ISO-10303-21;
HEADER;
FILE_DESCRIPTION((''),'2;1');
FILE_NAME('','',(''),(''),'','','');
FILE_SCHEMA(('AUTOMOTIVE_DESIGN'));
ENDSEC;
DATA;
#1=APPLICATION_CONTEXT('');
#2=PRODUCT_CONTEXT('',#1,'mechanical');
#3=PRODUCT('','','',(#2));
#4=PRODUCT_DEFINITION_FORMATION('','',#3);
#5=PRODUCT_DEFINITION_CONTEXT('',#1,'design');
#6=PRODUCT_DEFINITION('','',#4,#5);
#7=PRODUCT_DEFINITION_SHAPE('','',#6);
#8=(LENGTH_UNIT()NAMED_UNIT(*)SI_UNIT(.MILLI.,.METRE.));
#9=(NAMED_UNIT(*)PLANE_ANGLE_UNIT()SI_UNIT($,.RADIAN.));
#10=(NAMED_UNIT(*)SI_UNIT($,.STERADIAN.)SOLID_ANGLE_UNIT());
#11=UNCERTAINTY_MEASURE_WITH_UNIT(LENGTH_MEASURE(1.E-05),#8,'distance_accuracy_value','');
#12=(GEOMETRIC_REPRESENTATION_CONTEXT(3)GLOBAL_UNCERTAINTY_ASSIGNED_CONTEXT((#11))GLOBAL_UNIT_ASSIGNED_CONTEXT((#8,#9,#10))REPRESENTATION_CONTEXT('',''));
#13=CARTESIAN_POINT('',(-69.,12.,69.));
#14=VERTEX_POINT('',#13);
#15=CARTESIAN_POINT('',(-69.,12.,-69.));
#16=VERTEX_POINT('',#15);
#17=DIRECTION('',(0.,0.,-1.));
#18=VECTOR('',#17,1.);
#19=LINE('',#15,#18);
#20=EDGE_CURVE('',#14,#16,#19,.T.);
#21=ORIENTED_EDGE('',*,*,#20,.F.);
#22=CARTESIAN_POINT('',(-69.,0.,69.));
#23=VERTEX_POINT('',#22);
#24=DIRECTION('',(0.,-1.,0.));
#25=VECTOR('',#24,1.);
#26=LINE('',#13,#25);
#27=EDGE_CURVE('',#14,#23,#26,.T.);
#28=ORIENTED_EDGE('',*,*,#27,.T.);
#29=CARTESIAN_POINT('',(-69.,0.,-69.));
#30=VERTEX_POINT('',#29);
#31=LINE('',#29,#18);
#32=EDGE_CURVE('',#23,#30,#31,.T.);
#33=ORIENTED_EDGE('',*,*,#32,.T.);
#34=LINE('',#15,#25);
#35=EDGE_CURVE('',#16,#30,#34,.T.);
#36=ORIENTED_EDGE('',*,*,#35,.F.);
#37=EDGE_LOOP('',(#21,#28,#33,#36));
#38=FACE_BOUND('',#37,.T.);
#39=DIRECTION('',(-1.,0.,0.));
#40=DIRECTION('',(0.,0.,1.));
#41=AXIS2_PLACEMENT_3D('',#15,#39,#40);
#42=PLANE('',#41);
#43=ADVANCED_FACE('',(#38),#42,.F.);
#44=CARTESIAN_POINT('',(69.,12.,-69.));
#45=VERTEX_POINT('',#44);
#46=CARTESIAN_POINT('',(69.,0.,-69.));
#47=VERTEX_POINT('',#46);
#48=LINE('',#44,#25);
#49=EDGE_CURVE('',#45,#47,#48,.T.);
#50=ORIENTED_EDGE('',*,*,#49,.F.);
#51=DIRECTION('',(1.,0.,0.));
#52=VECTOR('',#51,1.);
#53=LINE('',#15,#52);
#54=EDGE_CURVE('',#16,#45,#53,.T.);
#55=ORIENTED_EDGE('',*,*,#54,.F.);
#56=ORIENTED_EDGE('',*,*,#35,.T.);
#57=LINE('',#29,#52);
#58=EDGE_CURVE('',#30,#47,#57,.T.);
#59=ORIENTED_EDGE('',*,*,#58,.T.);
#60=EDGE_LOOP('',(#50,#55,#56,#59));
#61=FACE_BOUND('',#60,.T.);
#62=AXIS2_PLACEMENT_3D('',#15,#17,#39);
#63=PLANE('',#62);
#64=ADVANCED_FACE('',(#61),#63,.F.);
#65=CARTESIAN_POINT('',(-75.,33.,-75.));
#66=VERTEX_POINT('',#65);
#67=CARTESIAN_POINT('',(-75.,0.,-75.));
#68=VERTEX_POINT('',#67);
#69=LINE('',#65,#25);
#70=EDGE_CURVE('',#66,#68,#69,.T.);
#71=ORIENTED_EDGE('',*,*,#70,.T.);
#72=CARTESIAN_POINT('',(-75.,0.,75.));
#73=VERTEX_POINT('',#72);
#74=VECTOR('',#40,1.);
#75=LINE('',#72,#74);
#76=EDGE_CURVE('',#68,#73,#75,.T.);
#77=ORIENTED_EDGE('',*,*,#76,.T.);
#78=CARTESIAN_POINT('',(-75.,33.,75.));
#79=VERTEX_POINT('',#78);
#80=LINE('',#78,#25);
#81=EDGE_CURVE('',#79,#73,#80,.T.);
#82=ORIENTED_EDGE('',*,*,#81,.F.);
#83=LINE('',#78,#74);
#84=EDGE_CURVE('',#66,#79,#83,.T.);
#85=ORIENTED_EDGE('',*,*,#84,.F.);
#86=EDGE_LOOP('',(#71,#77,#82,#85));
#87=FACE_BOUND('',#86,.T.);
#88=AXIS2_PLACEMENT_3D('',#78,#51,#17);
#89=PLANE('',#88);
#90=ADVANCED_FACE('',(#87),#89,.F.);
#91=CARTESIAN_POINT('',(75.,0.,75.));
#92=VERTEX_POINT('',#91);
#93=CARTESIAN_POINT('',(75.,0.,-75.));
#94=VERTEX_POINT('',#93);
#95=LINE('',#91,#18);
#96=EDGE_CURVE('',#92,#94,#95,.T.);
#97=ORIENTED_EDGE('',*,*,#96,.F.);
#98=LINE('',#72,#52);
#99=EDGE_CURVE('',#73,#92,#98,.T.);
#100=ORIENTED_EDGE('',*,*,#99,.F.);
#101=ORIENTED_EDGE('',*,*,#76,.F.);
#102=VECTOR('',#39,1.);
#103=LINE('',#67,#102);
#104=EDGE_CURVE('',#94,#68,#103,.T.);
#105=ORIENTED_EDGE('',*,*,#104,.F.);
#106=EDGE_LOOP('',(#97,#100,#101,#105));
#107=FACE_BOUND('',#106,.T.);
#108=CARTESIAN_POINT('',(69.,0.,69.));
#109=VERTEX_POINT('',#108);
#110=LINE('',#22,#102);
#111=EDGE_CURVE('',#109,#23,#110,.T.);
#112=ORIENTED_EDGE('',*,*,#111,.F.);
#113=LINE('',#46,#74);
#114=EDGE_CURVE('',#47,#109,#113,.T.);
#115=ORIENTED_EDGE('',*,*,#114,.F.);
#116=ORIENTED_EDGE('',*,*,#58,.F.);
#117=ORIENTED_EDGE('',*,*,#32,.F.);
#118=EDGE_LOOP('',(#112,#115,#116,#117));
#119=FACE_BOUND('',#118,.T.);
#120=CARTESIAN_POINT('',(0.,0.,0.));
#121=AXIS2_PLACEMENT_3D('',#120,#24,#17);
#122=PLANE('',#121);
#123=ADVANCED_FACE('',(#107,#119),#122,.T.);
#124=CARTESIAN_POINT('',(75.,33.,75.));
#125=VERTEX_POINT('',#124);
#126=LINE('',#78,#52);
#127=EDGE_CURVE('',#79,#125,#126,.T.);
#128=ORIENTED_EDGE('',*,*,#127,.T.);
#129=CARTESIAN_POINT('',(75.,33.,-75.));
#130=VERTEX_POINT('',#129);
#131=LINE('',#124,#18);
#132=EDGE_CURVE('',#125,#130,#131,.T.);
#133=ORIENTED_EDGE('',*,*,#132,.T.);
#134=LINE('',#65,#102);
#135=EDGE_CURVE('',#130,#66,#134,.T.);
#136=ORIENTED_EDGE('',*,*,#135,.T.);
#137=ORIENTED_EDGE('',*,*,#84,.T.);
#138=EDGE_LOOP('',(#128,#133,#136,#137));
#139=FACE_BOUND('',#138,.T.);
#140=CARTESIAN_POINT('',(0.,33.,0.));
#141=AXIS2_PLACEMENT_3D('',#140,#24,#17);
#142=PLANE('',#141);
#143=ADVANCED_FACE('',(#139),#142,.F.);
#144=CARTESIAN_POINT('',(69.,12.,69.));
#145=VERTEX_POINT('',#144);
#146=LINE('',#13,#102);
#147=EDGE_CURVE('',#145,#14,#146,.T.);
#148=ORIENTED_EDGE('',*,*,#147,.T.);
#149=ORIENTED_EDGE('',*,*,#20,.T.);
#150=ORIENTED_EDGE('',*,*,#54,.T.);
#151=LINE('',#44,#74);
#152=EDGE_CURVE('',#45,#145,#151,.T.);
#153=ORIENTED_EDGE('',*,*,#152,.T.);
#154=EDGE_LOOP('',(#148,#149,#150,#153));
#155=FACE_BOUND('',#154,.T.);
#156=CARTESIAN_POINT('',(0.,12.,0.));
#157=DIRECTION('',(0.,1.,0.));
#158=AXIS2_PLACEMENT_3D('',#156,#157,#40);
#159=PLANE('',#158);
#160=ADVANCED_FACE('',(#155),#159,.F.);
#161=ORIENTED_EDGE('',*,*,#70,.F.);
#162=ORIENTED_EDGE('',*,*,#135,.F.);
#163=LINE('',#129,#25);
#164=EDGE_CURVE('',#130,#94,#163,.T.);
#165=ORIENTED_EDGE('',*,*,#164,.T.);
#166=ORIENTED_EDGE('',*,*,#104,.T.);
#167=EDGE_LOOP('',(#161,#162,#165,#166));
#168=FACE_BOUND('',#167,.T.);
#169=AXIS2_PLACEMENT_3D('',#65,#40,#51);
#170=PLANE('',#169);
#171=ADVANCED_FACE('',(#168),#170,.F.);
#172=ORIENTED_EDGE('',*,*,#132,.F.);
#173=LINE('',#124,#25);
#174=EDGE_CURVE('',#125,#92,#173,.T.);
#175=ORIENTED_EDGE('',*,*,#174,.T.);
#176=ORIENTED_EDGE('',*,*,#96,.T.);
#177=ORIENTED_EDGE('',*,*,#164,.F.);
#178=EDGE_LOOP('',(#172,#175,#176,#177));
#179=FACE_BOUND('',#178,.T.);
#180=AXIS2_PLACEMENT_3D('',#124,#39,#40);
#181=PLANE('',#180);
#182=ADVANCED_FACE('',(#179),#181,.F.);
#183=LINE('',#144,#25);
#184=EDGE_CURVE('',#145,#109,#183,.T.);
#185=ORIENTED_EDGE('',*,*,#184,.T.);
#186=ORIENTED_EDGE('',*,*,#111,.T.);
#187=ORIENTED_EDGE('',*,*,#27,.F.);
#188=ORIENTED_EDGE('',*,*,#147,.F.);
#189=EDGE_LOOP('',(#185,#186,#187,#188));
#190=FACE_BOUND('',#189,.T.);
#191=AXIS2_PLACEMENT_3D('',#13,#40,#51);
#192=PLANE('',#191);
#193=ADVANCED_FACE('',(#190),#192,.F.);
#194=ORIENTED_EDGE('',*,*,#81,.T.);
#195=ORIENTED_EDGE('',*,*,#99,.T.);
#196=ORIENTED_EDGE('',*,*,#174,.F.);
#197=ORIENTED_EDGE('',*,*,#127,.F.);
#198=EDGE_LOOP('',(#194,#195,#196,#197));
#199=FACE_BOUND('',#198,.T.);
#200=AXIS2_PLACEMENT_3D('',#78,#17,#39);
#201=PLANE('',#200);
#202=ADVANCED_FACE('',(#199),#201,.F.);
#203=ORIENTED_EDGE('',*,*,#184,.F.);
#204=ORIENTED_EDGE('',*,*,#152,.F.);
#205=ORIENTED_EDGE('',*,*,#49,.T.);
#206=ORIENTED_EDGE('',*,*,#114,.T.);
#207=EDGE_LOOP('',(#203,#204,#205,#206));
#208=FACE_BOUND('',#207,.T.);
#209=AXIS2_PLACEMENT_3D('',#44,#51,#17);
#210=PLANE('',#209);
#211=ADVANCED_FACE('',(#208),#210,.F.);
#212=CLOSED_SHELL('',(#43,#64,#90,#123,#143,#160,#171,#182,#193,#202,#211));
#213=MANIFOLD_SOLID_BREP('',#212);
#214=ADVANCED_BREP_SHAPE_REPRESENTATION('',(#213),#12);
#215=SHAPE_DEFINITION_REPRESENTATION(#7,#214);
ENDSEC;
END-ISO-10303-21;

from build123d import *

# Parameters (mm, degrees)
SKETCH_1_W          = 150
SKETCH_1_H          = 150
EXTRUDE_1_DEPTH     = 33
SKETCH_2_W          = 138
SKETCH_2_H          = 138
CUT_EXTRUDE_1_DEPTH = 12


with BuildPart() as part:
    # Эскиз1 → Бобышка-Вытянуть1 (new body)
    with BuildSketch(Plane(origin=(0, 0, 0), x_dir=(1, 0, 0), z_dir=(0, 1, 0))):
        Rectangle(SKETCH_1_W, SKETCH_1_H)
    extrude(amount=EXTRUDE_1_DEPTH)

    # Эскиз2 → Вырез-Вытянуть1 (cut)
    with BuildSketch(Plane(origin=(0, 0, 0), x_dir=(-1, 0, 0), z_dir=(0, -1, 0))):
        Rectangle(SKETCH_2_W, SKETCH_2_H)
    extrude(amount=-CUT_EXTRUDE_1_DEPTH, mode=Mode.SUBTRACT)


solid = part.part
